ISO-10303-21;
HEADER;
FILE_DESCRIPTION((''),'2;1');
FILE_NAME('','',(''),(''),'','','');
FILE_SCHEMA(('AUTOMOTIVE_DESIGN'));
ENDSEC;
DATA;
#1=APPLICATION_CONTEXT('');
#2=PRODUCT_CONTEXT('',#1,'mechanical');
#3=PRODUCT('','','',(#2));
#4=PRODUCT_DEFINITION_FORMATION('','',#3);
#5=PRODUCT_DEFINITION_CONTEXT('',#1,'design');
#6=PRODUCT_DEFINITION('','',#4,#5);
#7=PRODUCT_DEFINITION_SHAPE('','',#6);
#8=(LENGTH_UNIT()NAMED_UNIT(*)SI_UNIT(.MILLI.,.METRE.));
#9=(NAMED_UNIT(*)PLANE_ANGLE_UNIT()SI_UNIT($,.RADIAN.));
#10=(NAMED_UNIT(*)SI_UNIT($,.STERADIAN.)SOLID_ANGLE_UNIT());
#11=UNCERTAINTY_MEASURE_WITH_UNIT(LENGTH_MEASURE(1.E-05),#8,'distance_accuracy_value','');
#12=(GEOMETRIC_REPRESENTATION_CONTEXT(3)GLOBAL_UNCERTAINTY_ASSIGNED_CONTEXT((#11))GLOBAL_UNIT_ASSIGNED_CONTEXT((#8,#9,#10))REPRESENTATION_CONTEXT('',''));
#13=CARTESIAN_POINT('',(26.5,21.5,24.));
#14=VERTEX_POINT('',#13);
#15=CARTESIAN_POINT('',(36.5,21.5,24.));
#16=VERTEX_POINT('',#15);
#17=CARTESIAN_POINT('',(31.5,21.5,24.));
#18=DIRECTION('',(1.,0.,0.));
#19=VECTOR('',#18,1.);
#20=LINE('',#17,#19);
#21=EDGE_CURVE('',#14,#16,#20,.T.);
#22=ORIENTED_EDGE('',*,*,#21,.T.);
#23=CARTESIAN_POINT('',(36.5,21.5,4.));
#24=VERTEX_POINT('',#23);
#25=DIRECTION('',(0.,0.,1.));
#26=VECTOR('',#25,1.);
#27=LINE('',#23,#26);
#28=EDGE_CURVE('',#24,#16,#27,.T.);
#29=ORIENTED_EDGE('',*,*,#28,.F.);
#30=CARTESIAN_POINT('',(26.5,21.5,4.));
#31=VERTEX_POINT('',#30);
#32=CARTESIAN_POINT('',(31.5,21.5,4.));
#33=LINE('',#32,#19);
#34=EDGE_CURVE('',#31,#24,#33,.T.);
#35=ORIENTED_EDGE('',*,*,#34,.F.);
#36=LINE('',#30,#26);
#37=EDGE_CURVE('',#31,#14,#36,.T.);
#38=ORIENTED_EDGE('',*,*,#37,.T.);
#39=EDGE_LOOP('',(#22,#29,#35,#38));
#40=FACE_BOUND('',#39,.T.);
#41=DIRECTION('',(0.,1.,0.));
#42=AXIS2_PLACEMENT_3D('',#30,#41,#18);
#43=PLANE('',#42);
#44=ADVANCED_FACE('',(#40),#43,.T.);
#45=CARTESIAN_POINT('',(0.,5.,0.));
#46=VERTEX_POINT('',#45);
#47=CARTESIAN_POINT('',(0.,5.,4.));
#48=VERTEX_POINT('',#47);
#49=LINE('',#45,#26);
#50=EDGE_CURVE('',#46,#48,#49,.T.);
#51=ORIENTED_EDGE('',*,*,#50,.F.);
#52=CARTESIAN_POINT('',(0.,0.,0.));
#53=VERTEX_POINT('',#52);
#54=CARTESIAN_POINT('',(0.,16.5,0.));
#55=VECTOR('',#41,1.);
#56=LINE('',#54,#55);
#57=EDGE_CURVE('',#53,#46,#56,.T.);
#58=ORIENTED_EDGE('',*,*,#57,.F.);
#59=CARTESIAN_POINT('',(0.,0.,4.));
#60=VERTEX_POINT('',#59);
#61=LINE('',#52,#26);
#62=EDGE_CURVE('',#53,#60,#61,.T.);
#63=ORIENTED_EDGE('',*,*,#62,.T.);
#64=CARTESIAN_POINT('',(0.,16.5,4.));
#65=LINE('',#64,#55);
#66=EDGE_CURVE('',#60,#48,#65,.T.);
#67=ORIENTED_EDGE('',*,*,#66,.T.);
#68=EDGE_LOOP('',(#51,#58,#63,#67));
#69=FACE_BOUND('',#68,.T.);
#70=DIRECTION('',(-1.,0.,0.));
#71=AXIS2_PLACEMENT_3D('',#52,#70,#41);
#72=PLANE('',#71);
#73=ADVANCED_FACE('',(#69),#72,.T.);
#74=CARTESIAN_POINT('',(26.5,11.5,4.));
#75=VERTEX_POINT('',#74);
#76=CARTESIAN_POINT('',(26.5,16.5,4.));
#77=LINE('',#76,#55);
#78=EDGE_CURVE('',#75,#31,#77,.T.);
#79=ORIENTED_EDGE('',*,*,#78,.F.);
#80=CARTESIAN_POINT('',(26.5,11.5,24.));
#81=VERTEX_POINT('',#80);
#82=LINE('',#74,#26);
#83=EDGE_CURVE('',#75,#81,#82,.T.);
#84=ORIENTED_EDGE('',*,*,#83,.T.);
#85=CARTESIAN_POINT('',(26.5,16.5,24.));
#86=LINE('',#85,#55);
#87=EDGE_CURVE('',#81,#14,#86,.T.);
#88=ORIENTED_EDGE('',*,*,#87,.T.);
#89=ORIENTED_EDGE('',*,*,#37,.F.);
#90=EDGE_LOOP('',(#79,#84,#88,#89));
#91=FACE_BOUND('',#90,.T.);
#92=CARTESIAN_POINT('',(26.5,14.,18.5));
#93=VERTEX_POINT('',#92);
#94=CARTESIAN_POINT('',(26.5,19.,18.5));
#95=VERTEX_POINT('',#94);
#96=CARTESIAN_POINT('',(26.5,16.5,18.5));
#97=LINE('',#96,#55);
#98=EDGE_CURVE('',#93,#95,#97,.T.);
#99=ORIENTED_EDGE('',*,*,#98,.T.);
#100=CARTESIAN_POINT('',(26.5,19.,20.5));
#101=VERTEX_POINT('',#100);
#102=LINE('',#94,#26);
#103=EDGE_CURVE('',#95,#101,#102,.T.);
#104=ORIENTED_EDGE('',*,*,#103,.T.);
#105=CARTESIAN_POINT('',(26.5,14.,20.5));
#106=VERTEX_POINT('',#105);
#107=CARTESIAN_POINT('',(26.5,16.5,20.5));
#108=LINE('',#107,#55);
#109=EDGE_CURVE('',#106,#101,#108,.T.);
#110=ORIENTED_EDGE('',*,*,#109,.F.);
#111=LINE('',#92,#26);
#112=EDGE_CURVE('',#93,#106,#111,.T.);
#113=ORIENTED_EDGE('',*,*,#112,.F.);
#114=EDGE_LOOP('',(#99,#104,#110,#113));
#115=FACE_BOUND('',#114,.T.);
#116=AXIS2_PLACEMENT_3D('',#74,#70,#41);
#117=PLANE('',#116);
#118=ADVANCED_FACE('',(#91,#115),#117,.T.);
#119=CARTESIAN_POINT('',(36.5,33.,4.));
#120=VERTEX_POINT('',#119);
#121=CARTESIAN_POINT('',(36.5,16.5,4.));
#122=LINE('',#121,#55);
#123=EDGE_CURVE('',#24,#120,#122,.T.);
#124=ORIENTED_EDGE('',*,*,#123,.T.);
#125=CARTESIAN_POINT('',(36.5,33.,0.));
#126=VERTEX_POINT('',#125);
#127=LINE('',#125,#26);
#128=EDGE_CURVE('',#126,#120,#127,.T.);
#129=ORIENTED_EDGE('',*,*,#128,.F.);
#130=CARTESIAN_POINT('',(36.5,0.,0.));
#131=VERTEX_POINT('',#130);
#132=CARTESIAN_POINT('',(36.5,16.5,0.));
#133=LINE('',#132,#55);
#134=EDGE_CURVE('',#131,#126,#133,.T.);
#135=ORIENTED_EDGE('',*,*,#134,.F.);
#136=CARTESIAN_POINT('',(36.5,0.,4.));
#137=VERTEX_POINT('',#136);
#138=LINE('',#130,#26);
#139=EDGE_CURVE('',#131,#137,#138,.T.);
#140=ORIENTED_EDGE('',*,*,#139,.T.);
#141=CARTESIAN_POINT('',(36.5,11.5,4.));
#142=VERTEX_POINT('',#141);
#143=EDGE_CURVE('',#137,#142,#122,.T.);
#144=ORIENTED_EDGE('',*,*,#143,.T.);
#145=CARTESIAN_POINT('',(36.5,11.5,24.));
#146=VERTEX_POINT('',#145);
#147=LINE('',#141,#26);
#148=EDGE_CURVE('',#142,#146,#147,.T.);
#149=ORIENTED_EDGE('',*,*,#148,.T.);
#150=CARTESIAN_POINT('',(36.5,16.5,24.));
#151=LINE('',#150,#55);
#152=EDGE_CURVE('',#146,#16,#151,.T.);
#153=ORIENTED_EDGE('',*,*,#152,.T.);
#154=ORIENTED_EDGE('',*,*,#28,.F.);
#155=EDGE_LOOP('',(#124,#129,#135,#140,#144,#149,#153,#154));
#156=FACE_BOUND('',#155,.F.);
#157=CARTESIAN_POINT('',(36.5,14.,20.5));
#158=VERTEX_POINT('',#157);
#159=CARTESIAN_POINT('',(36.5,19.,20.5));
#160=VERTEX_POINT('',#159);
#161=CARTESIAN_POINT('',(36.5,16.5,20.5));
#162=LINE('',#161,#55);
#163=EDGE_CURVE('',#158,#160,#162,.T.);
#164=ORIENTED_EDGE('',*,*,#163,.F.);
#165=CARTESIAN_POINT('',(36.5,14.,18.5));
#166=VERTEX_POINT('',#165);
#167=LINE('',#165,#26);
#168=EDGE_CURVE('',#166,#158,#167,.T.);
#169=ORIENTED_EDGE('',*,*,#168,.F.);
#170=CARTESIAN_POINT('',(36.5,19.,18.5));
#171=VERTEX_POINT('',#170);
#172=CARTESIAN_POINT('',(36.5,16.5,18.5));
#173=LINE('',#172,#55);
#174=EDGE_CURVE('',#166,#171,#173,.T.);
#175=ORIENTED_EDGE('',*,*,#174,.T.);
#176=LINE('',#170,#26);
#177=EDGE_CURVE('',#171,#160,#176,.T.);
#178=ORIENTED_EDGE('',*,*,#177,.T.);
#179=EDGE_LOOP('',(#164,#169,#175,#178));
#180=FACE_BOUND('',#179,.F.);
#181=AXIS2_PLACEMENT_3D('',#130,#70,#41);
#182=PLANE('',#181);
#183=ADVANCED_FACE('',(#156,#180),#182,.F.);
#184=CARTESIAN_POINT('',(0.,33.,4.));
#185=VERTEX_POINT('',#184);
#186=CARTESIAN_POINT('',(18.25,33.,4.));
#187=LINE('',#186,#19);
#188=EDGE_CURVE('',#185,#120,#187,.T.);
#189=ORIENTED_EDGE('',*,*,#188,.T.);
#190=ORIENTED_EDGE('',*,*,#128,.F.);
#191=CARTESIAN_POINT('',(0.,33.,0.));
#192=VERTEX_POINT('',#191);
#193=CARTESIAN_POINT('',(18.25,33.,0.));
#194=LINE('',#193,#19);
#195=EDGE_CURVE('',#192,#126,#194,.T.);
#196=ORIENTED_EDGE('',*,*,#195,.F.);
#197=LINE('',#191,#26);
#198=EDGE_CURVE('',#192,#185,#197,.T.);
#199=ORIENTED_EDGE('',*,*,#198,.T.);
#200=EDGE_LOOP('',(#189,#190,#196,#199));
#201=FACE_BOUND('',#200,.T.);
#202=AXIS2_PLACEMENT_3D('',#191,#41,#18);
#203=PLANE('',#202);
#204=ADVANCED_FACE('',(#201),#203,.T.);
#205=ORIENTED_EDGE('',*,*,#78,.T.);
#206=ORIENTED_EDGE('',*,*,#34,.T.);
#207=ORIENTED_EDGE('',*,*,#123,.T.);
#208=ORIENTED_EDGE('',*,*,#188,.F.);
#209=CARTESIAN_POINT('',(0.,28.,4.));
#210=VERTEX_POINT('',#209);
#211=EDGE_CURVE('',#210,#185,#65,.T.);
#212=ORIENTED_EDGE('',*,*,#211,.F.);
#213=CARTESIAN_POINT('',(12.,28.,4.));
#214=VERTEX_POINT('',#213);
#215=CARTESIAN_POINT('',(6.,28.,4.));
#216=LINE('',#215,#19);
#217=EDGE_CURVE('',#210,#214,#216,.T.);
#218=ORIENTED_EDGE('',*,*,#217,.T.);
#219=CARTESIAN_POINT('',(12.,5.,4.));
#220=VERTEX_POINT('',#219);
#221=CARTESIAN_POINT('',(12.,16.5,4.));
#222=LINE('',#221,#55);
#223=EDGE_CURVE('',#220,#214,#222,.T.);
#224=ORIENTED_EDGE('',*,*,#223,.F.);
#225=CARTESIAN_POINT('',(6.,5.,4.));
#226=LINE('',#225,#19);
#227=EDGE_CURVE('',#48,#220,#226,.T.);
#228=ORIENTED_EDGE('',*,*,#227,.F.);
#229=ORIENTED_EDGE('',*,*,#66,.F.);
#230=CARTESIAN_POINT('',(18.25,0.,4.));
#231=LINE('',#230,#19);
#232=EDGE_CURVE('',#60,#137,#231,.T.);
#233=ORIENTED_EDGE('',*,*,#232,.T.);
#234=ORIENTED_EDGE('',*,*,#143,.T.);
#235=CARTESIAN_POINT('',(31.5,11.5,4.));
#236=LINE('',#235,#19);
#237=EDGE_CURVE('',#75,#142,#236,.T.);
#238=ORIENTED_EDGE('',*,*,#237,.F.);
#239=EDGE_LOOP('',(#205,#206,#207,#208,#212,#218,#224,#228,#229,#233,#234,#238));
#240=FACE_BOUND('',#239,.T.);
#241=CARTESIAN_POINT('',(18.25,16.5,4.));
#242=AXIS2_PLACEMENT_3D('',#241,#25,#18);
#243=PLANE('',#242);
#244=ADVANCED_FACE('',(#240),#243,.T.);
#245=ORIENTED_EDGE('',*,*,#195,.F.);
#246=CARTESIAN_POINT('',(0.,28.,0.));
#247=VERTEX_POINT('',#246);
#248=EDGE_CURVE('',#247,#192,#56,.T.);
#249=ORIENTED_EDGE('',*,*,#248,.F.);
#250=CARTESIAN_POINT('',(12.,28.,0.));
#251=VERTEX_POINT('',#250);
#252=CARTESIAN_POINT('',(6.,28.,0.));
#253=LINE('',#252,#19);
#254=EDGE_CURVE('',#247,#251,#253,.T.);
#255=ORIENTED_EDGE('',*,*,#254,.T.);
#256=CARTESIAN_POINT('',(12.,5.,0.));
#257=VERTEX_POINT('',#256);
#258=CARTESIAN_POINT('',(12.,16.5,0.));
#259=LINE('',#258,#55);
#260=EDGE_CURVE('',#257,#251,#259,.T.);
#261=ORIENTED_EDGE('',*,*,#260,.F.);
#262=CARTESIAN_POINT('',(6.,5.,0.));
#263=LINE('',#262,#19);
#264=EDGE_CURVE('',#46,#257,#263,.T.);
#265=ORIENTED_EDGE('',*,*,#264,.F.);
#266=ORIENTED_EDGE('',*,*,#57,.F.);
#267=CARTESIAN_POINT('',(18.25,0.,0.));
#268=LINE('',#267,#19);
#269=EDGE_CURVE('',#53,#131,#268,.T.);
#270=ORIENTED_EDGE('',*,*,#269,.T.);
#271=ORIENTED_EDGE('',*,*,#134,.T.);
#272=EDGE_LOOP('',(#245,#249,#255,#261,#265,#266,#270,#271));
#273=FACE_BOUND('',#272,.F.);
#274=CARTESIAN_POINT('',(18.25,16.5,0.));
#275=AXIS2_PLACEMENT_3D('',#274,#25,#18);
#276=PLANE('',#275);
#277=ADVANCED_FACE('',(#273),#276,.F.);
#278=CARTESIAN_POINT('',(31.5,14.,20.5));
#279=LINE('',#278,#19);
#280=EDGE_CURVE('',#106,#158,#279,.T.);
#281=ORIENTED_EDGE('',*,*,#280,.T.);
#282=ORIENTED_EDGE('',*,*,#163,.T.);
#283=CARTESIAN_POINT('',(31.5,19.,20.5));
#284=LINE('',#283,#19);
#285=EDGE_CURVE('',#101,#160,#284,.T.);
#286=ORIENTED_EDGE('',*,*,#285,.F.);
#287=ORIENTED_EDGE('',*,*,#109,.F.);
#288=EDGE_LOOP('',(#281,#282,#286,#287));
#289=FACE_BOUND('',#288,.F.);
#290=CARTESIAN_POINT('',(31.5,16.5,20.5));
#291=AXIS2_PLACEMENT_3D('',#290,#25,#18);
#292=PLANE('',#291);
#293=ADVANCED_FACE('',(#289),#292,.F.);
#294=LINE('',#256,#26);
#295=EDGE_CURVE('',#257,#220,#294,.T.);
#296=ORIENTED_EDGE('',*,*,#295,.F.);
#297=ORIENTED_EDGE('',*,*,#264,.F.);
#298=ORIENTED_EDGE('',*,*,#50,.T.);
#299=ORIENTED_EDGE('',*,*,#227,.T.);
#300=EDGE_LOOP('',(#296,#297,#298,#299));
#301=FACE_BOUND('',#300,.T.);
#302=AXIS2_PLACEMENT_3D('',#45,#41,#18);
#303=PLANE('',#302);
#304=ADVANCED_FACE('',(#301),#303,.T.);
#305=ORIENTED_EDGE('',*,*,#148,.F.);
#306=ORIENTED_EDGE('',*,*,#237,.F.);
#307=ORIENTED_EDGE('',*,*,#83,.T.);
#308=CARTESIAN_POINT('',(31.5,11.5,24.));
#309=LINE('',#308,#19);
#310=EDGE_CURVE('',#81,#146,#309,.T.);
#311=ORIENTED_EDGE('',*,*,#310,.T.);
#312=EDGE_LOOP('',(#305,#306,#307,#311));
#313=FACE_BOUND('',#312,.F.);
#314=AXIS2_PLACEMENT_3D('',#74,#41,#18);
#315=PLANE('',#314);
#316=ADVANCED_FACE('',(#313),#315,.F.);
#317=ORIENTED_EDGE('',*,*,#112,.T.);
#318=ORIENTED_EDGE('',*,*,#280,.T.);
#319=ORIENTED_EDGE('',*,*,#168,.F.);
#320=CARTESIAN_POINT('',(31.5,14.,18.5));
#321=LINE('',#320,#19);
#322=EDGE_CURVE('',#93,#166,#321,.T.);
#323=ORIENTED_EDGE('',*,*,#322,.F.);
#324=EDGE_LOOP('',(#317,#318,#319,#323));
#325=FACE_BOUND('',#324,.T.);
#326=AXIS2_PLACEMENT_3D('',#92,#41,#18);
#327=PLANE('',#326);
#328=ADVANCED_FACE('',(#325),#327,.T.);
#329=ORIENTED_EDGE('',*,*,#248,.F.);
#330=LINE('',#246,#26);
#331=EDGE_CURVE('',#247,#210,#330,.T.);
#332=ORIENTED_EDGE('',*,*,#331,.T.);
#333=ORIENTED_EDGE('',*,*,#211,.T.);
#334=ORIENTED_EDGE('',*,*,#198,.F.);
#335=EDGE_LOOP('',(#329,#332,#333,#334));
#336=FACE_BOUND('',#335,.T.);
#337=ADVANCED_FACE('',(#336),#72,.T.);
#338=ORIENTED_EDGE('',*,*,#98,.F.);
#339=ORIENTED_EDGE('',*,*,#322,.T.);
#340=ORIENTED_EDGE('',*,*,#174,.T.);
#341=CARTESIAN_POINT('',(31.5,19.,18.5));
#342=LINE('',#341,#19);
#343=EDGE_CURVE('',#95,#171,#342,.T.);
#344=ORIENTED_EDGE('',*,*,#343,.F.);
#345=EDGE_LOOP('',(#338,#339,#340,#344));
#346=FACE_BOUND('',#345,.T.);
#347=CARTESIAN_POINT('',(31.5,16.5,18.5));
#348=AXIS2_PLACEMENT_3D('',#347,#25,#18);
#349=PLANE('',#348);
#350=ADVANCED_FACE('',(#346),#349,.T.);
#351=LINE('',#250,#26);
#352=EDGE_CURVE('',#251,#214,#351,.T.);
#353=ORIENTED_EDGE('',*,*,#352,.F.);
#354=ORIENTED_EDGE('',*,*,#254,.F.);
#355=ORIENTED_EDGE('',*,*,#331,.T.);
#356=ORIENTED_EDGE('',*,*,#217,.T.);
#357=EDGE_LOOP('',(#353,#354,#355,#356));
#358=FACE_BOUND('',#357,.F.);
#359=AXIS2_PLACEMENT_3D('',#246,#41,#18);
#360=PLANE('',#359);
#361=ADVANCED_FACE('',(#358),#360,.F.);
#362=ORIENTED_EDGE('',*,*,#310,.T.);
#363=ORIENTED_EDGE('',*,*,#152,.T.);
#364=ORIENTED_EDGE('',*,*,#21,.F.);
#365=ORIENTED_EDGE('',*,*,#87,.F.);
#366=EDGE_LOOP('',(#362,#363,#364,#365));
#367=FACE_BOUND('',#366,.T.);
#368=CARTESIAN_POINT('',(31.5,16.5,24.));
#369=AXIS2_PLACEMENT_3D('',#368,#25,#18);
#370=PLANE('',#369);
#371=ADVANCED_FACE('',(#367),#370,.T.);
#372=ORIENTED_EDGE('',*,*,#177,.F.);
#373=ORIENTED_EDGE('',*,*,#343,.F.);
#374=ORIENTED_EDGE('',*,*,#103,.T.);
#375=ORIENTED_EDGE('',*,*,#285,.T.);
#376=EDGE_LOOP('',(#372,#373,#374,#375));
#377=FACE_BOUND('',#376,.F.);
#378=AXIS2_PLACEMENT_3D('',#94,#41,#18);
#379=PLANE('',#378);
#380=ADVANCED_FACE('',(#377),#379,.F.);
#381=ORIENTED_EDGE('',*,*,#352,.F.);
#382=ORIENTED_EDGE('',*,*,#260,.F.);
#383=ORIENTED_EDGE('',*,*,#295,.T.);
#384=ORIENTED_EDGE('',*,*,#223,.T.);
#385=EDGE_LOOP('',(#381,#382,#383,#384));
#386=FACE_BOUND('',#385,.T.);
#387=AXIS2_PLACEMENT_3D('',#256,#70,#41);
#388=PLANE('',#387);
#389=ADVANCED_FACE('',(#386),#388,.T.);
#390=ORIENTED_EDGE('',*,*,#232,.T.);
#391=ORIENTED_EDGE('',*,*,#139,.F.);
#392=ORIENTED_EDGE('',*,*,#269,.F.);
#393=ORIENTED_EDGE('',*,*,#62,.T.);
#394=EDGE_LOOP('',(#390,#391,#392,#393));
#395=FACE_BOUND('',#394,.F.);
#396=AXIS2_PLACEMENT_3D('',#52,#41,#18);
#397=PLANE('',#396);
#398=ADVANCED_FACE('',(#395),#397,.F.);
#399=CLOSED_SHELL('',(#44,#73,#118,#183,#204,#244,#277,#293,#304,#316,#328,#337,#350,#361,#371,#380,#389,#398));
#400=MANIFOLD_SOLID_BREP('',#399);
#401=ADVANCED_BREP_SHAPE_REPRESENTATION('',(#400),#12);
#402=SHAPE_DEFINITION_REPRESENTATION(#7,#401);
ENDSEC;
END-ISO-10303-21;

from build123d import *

# Parameters (mm, degrees)
BOX003_W     = 10
BOX003_H     = 5
BOX003_DEPTH = 2
BOX001_W     = 10
BOX001_H     = 10
BOX001_DEPTH = 20
BOX002_W     = 12
BOX002_H     = 23
BOX002_DEPTH = 4
BOX_W        = 36.5
BOX_H        = 33
BOX_DEPTH    = 4


with BuildPart() as box003:
    # Box003 → Box003 (new body)
    with BuildSketch(Plane(origin=(26.5, 14, 18.5), x_dir=(1, 0, 0), z_dir=(0, 0, 1))):
        with Locations((5, 2.5)):
            Rectangle(BOX003_W, BOX003_H)
    extrude(amount=BOX003_DEPTH)


with BuildPart() as cut001:
    # Box001 → Box001 (new body)
    with BuildSketch(Plane(origin=(26.5, 11.5, 4), x_dir=(1, 0, 0), z_dir=(0, 0, 1))):
        with Locations((5, 5)):
            Rectangle(BOX001_W, BOX001_H)
    extrude(amount=BOX001_DEPTH)

    # Cut001: cut Box003
    add(box003.part, mode=Mode.SUBTRACT)


with BuildPart() as box002:
    # Box002 → Box002 (new body)
    with BuildSketch(Plane(origin=(0, 5, 0), x_dir=(1, 0, 0), z_dir=(0, 0, 1))):
        with Locations((6, 11.5)):
            Rectangle(BOX002_W, BOX002_H)
    extrude(amount=BOX002_DEPTH)


with BuildPart() as fusion:
    # Box → Box (new body)
    with BuildSketch(Plane.XY):
        with Locations((18.25, 16.5)):
            Rectangle(BOX_W, BOX_H)
    extrude(amount=BOX_DEPTH)

    # Cut: cut Box002
    add(box002.part, mode=Mode.SUBTRACT)

    # Fusion: union Cut001
    add(cut001.part)


solid = fusion.part
